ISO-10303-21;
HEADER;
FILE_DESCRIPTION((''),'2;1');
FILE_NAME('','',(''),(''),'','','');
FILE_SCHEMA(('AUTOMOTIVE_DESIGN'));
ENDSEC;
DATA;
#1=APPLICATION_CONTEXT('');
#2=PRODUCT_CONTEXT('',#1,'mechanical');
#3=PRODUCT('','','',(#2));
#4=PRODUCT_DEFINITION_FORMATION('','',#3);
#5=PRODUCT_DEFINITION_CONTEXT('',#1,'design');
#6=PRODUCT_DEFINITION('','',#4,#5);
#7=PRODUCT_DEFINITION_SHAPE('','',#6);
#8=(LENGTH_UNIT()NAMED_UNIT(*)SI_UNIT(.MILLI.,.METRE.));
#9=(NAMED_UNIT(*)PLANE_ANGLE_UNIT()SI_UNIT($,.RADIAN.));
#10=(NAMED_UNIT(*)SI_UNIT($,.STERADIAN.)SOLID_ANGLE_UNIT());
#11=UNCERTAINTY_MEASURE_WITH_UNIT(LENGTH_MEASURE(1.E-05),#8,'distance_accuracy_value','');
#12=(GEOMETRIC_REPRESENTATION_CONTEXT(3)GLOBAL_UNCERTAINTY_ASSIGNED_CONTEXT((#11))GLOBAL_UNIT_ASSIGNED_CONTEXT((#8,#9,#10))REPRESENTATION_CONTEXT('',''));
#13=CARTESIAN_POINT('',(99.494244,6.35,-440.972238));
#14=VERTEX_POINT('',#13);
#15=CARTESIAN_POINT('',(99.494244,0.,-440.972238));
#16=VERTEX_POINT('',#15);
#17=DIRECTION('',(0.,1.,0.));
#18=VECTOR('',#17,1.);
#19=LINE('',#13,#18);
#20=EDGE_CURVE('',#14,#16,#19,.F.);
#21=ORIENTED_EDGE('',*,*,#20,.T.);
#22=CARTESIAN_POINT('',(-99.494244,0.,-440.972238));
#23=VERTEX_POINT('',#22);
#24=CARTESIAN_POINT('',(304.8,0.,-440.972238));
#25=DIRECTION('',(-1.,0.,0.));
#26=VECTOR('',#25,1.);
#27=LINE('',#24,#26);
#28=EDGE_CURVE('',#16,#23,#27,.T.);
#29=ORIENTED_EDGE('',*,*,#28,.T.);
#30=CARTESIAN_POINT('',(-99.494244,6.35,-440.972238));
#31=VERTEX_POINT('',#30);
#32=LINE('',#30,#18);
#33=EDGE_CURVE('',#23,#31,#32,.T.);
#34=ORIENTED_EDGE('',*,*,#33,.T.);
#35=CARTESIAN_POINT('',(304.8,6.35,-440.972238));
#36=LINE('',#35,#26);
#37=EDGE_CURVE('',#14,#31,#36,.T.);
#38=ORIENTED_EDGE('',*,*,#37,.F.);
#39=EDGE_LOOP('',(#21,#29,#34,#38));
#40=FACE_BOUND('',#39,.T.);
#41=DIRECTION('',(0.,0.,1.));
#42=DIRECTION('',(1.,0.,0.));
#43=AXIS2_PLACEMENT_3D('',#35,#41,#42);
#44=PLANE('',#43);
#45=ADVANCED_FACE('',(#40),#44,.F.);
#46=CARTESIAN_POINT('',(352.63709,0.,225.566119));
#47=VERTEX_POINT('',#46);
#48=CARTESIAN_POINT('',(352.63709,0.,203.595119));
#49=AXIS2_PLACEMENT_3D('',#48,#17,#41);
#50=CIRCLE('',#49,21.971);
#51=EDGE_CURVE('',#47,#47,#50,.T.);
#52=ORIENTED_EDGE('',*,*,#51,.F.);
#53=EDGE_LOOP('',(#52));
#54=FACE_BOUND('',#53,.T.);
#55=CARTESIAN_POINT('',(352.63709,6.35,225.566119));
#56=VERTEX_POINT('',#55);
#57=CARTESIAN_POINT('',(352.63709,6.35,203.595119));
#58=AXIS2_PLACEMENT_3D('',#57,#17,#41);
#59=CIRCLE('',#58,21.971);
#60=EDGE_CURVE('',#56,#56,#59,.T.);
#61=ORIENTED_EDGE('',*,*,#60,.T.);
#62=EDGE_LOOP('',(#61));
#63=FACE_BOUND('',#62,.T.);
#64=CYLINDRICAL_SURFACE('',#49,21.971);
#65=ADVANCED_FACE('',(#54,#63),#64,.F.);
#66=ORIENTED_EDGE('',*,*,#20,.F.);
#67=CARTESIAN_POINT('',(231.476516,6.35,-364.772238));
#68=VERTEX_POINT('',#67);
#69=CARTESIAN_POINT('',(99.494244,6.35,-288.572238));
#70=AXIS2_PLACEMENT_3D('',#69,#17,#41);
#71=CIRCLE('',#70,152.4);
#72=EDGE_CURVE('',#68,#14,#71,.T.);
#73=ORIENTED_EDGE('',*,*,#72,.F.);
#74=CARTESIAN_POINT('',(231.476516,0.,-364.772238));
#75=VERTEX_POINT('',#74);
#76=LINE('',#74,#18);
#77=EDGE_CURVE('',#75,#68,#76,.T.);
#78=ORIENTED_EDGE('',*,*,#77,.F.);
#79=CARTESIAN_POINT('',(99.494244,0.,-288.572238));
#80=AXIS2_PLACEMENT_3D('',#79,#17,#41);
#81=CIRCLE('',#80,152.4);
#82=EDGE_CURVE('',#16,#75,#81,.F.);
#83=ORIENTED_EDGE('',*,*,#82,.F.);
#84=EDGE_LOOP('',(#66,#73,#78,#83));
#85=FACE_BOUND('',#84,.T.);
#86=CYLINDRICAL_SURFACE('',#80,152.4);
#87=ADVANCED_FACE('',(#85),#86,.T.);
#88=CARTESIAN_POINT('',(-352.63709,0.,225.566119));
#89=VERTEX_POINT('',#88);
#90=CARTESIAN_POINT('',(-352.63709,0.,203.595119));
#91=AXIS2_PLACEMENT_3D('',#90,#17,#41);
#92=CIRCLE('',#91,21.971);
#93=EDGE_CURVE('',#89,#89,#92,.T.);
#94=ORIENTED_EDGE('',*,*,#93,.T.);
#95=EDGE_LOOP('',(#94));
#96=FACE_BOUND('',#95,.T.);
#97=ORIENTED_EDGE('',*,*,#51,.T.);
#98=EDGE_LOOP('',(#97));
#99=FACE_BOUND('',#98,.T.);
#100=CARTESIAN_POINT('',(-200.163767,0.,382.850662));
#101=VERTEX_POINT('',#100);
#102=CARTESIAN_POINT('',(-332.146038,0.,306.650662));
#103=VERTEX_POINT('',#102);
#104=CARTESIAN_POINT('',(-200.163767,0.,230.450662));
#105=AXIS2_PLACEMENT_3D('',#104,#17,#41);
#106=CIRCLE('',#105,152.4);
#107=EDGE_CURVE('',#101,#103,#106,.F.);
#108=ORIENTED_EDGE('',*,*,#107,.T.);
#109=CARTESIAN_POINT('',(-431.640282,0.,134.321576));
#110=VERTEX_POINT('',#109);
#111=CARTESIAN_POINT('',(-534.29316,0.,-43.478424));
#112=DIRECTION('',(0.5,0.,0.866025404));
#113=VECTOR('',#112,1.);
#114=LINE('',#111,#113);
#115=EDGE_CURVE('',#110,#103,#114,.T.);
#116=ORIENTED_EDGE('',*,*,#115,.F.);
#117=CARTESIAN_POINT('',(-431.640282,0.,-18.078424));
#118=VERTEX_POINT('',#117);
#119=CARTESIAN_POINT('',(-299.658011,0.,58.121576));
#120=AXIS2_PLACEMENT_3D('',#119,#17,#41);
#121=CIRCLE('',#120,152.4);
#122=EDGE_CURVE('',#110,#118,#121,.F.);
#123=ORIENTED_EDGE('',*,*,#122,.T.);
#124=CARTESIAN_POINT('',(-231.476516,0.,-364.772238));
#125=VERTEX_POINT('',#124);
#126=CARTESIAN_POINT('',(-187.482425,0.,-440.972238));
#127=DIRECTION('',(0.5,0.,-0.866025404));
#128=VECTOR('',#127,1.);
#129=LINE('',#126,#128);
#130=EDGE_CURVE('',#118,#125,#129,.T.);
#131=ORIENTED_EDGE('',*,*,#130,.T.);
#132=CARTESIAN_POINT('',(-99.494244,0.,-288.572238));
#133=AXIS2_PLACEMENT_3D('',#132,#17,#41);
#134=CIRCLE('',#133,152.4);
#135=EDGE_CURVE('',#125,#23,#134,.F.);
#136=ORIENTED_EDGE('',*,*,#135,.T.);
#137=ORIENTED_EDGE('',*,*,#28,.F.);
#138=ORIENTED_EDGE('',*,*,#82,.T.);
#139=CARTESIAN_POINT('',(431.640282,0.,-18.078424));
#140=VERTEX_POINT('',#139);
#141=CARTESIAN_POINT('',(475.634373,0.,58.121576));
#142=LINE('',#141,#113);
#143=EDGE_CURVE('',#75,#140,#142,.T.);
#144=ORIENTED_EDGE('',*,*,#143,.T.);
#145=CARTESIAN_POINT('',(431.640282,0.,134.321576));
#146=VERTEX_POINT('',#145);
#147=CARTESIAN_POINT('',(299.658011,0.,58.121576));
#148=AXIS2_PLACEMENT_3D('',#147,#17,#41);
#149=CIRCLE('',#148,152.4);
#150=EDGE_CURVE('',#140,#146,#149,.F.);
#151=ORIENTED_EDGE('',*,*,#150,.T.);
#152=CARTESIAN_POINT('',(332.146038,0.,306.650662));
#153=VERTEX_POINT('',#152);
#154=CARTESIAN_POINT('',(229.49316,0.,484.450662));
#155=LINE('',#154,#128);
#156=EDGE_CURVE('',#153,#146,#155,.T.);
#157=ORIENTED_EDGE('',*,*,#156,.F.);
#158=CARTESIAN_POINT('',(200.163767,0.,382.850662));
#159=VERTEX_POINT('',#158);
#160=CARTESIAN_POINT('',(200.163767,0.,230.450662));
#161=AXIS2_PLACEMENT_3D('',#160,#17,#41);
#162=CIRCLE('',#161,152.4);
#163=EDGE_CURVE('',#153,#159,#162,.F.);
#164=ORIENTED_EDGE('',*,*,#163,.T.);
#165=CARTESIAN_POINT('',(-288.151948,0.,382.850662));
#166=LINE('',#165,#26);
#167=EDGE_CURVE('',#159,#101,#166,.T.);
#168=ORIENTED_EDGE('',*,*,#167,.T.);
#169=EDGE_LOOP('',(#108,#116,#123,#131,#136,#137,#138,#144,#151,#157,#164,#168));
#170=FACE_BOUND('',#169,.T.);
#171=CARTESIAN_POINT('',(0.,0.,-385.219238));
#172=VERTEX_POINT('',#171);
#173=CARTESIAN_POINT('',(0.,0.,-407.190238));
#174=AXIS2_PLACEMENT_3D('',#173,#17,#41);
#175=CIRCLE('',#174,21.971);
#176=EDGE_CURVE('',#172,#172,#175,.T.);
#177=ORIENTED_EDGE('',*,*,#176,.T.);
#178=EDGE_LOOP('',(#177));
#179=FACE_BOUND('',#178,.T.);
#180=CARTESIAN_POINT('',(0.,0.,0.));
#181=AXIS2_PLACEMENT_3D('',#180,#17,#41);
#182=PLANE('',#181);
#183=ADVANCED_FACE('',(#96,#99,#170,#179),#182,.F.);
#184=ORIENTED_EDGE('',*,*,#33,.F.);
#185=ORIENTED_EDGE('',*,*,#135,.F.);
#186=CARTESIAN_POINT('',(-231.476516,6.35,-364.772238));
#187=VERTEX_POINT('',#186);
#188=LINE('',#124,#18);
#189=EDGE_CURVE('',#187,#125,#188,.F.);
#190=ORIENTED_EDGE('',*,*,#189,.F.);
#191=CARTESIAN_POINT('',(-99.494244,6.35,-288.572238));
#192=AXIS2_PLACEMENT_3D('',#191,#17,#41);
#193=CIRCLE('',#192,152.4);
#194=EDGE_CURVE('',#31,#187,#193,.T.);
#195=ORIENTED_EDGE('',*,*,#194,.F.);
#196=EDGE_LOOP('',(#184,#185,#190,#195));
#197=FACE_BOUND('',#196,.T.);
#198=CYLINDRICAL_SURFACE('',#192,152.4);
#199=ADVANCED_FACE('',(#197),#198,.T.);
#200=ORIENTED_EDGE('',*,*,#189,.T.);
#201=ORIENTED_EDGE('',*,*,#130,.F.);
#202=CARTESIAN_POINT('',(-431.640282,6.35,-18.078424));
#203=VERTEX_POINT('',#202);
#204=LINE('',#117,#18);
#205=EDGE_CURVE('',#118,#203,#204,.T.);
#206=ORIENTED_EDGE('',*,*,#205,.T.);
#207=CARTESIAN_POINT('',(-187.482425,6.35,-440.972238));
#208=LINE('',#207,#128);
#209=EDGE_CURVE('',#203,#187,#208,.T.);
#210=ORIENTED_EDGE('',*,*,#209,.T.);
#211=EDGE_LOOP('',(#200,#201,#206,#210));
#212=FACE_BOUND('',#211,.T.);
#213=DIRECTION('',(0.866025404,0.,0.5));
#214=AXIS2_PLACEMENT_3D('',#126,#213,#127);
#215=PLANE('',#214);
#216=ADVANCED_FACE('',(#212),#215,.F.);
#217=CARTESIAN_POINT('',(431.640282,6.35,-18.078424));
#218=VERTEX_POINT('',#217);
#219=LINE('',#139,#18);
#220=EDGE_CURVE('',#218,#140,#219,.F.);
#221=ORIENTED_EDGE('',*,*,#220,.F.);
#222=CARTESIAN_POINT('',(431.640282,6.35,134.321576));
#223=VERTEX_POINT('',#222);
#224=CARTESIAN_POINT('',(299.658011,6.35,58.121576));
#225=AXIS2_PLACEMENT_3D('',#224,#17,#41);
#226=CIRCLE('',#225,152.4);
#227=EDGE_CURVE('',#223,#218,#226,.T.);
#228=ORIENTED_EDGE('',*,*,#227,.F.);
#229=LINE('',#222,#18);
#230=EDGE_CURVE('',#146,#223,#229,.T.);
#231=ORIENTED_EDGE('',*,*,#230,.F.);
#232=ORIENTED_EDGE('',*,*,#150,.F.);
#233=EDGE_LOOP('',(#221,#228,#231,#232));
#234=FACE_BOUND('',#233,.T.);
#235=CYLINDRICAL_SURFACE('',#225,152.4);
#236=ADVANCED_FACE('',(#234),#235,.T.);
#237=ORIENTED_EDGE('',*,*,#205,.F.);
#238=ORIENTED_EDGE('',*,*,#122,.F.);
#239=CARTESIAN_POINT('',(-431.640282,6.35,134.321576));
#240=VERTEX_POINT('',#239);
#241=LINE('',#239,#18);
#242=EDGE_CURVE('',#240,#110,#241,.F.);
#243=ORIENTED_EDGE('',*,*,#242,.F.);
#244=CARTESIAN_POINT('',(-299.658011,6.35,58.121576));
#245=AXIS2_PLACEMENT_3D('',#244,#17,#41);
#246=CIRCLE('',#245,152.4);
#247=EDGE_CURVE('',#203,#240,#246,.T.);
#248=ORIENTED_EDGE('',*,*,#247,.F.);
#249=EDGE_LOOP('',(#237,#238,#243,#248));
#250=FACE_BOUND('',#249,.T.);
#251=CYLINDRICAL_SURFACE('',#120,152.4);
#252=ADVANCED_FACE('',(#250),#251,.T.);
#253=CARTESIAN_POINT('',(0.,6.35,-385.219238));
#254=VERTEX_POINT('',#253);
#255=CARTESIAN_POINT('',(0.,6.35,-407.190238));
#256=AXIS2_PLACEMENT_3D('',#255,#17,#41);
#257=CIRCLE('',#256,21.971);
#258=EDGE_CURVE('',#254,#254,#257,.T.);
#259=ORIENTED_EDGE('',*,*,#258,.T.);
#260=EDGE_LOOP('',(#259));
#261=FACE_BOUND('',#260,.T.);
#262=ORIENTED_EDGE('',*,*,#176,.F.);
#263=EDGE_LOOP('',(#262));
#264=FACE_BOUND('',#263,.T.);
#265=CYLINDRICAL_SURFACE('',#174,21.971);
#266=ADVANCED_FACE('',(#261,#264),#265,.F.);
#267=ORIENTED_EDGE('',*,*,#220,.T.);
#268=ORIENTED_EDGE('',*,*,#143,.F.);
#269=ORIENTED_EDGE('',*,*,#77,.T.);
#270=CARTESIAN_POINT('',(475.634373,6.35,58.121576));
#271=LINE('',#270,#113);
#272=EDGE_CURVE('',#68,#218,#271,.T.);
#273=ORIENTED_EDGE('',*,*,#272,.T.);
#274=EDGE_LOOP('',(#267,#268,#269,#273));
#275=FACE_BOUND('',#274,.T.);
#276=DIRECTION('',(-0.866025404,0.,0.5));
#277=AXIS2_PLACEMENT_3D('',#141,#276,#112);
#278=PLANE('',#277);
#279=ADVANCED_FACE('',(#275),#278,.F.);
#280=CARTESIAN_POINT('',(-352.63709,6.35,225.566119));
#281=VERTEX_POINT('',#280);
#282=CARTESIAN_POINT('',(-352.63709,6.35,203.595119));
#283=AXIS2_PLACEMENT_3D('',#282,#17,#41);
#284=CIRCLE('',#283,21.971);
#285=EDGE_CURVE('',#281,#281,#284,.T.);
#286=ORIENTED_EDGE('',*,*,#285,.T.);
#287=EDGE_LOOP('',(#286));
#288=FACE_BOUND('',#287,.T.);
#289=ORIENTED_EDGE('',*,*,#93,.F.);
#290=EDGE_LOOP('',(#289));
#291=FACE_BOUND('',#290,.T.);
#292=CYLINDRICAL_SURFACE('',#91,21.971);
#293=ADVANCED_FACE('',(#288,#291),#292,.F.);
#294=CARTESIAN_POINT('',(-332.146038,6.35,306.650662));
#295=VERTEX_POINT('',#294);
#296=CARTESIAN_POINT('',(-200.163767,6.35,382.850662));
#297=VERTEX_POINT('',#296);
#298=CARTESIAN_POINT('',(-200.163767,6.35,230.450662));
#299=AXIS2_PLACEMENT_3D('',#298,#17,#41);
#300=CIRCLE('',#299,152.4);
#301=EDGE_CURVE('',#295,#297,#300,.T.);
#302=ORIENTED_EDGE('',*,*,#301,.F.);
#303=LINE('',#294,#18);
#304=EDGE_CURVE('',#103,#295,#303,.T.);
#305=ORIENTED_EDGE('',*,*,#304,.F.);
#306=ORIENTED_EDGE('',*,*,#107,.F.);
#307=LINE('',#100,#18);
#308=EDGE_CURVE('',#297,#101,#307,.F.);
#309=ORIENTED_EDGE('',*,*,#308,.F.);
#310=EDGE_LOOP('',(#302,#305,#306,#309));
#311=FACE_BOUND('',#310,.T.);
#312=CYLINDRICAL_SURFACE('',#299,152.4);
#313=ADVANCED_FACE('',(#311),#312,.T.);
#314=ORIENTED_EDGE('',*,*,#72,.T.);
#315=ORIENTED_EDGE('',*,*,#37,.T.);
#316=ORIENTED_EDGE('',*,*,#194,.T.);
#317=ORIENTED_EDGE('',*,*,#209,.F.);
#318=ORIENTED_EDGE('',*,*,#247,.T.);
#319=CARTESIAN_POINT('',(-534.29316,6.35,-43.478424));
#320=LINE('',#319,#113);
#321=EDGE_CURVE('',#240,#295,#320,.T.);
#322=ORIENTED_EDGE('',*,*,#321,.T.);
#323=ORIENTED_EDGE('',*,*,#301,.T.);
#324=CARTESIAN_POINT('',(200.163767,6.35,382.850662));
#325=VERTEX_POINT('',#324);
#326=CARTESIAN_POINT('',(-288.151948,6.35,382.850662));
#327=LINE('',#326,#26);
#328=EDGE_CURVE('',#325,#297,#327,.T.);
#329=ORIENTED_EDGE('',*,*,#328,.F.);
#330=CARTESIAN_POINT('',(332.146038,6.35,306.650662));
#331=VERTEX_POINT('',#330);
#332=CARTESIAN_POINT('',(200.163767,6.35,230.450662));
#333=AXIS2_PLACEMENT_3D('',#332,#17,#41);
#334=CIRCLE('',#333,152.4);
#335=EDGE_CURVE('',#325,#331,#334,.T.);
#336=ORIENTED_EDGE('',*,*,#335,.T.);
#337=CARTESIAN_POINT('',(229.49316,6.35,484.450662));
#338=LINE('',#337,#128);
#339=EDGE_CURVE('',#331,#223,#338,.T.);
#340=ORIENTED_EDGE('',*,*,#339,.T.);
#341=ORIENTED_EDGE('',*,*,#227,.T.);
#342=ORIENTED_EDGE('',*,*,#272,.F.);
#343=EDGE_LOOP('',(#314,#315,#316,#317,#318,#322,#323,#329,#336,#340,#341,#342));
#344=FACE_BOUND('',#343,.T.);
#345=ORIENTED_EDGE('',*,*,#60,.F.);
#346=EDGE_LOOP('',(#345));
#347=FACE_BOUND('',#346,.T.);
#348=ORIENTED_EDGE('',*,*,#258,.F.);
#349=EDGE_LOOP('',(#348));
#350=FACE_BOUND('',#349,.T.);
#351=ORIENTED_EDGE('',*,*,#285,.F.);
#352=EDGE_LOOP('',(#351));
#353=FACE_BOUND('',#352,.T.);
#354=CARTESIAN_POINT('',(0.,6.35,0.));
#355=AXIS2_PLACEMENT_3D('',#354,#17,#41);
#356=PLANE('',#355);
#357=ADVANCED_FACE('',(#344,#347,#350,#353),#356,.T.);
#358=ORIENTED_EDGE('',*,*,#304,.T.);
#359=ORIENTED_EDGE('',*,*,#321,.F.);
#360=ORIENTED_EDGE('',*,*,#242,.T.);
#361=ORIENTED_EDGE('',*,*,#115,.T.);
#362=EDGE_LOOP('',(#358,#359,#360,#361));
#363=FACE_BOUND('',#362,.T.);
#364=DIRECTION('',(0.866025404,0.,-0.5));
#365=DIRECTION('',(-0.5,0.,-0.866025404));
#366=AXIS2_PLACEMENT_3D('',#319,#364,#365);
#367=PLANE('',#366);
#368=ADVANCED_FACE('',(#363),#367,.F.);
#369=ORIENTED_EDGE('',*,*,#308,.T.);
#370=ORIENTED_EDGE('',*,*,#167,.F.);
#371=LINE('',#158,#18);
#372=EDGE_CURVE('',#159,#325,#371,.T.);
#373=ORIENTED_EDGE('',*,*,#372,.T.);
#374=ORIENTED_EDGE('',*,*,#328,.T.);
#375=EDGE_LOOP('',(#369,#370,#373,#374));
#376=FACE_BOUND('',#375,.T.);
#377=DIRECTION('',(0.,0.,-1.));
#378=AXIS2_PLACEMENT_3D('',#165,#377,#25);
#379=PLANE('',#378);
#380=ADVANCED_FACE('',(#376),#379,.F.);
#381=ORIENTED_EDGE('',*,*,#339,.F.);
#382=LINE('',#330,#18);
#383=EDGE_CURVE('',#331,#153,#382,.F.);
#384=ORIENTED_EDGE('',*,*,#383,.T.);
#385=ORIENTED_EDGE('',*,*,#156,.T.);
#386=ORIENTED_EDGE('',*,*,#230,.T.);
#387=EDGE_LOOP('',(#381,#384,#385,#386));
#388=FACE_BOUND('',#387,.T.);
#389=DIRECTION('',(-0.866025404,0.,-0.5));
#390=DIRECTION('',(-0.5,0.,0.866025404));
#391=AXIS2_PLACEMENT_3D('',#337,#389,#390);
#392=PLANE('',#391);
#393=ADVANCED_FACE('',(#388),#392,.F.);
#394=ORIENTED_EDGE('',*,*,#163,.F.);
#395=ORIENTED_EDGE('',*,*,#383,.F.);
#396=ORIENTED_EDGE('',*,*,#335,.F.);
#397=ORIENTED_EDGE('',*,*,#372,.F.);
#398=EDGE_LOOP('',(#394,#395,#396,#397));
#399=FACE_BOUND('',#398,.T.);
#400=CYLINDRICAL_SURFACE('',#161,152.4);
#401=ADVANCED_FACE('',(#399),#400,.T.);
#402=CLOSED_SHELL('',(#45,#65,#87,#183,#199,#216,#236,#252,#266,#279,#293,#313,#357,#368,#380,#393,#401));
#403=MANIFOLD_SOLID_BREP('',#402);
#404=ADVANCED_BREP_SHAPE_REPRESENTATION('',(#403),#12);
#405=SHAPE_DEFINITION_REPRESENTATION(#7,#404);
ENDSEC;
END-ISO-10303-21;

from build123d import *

# Parameters (mm, degrees)
SKETCH3_R           = 21.082
BOSS_EXTRUDE1_DEPTH = 6.35
CUT_EXTRUDE1_DEPTH  = 722.250266796
FILLET1_R           = 152.4
SKETCH5_R           = 21.971
CUT_EXTRUDE2_DEPTH  = 632.548321209


with BuildPart() as part:
    # Sketch3 → Boss-Extrude1 (new body)
    with BuildSketch(Plane(origin=(0, 0, 0), x_dir=(1, 0, 0), z_dir=(0, 1, 0))):
        Polygon((-534.293160191, 43.478424236), (-229.493160191, -484.450661911), (229.493160191, -484.450661911), (534.293160191, 43.478424236), (304.8, 440.972237675), (-304.8, 440.972237675), align=None)
        with Locations(Location((-352.63709, -203.595118838, 0), (0, 0, 270))):
            Circle(SKETCH3_R, mode=Mode.SUBTRACT)
        with Locations(Location((352.63709, -203.595118838, 0), (0, 0, 270))):
            Circle(SKETCH3_R, mode=Mode.SUBTRACT)
        with Locations(Location((0, 407.190237675, 0), (0, 0, 270))):
            Circle(SKETCH3_R, mode=Mode.SUBTRACT)
    extrude(amount=BOSS_EXTRUDE1_DEPTH)

    # Sketch4 → Cut-Extrude1 (cut, through all)
    with BuildSketch(Plane(origin=(0, 6.35, 0), x_dir=(1, 0, 0), z_dir=(0, 1, 0))):
        Polygon((-187.482425301, 440.972237675), (-475.634372841, -58.121575764), (-534.293160191, 43.478424236), (-304.8, 440.972237675), align=None)
        Polygon((304.8, 440.972237675), (534.293160191, 43.478424236), (475.634372841, -58.121575764), (187.482425301, 440.972237675), align=None)
        Polygon((229.493160191, -484.450661911), (-229.493160191, -484.450661911), (-288.15194754, -382.850661911), (288.15194754, -382.850661911), align=None)
    extrude(amount=-CUT_EXTRUDE1_DEPTH, mode=Mode.SUBTRACT)

    # Fillet1
    fillet1_edges = [part.edges().sort_by_distance(p)[0] for p in [
        (288.15194754, 3.175, 382.850661911),
        (-288.15194754, 3.175, 382.850661911),
        (187.482425301, 3.175, -440.972237675),
        (475.634372841, 3.175, 58.121575764),
        (-187.482425301, 3.175, -440.972237675),
        (-475.634372841, 3.175, 58.121575764),
    ]]
    fillet(fillet1_edges, radius=FILLET1_R)

    # Sketch5 → Cut-Extrude2 (cut, through all)
    with BuildSketch(Plane(origin=(0, 6.35, 0), x_dir=(1, 0, 0), z_dir=(0, 1, 0))):
        with Locations(Location((0, 407.190237675, 0), (0, 0, 270))):
            Circle(SKETCH5_R)
        with Locations(Location((352.63709, -203.595118838, 0), (0, 0, 270))):
            Circle(SKETCH5_R)
        with Locations(Location((-352.63709, -203.595118838, 0), (0, 0, 270))):
            Circle(SKETCH5_R)
    extrude(amount=-CUT_EXTRUDE2_DEPTH, mode=Mode.SUBTRACT)


solid = part.part
